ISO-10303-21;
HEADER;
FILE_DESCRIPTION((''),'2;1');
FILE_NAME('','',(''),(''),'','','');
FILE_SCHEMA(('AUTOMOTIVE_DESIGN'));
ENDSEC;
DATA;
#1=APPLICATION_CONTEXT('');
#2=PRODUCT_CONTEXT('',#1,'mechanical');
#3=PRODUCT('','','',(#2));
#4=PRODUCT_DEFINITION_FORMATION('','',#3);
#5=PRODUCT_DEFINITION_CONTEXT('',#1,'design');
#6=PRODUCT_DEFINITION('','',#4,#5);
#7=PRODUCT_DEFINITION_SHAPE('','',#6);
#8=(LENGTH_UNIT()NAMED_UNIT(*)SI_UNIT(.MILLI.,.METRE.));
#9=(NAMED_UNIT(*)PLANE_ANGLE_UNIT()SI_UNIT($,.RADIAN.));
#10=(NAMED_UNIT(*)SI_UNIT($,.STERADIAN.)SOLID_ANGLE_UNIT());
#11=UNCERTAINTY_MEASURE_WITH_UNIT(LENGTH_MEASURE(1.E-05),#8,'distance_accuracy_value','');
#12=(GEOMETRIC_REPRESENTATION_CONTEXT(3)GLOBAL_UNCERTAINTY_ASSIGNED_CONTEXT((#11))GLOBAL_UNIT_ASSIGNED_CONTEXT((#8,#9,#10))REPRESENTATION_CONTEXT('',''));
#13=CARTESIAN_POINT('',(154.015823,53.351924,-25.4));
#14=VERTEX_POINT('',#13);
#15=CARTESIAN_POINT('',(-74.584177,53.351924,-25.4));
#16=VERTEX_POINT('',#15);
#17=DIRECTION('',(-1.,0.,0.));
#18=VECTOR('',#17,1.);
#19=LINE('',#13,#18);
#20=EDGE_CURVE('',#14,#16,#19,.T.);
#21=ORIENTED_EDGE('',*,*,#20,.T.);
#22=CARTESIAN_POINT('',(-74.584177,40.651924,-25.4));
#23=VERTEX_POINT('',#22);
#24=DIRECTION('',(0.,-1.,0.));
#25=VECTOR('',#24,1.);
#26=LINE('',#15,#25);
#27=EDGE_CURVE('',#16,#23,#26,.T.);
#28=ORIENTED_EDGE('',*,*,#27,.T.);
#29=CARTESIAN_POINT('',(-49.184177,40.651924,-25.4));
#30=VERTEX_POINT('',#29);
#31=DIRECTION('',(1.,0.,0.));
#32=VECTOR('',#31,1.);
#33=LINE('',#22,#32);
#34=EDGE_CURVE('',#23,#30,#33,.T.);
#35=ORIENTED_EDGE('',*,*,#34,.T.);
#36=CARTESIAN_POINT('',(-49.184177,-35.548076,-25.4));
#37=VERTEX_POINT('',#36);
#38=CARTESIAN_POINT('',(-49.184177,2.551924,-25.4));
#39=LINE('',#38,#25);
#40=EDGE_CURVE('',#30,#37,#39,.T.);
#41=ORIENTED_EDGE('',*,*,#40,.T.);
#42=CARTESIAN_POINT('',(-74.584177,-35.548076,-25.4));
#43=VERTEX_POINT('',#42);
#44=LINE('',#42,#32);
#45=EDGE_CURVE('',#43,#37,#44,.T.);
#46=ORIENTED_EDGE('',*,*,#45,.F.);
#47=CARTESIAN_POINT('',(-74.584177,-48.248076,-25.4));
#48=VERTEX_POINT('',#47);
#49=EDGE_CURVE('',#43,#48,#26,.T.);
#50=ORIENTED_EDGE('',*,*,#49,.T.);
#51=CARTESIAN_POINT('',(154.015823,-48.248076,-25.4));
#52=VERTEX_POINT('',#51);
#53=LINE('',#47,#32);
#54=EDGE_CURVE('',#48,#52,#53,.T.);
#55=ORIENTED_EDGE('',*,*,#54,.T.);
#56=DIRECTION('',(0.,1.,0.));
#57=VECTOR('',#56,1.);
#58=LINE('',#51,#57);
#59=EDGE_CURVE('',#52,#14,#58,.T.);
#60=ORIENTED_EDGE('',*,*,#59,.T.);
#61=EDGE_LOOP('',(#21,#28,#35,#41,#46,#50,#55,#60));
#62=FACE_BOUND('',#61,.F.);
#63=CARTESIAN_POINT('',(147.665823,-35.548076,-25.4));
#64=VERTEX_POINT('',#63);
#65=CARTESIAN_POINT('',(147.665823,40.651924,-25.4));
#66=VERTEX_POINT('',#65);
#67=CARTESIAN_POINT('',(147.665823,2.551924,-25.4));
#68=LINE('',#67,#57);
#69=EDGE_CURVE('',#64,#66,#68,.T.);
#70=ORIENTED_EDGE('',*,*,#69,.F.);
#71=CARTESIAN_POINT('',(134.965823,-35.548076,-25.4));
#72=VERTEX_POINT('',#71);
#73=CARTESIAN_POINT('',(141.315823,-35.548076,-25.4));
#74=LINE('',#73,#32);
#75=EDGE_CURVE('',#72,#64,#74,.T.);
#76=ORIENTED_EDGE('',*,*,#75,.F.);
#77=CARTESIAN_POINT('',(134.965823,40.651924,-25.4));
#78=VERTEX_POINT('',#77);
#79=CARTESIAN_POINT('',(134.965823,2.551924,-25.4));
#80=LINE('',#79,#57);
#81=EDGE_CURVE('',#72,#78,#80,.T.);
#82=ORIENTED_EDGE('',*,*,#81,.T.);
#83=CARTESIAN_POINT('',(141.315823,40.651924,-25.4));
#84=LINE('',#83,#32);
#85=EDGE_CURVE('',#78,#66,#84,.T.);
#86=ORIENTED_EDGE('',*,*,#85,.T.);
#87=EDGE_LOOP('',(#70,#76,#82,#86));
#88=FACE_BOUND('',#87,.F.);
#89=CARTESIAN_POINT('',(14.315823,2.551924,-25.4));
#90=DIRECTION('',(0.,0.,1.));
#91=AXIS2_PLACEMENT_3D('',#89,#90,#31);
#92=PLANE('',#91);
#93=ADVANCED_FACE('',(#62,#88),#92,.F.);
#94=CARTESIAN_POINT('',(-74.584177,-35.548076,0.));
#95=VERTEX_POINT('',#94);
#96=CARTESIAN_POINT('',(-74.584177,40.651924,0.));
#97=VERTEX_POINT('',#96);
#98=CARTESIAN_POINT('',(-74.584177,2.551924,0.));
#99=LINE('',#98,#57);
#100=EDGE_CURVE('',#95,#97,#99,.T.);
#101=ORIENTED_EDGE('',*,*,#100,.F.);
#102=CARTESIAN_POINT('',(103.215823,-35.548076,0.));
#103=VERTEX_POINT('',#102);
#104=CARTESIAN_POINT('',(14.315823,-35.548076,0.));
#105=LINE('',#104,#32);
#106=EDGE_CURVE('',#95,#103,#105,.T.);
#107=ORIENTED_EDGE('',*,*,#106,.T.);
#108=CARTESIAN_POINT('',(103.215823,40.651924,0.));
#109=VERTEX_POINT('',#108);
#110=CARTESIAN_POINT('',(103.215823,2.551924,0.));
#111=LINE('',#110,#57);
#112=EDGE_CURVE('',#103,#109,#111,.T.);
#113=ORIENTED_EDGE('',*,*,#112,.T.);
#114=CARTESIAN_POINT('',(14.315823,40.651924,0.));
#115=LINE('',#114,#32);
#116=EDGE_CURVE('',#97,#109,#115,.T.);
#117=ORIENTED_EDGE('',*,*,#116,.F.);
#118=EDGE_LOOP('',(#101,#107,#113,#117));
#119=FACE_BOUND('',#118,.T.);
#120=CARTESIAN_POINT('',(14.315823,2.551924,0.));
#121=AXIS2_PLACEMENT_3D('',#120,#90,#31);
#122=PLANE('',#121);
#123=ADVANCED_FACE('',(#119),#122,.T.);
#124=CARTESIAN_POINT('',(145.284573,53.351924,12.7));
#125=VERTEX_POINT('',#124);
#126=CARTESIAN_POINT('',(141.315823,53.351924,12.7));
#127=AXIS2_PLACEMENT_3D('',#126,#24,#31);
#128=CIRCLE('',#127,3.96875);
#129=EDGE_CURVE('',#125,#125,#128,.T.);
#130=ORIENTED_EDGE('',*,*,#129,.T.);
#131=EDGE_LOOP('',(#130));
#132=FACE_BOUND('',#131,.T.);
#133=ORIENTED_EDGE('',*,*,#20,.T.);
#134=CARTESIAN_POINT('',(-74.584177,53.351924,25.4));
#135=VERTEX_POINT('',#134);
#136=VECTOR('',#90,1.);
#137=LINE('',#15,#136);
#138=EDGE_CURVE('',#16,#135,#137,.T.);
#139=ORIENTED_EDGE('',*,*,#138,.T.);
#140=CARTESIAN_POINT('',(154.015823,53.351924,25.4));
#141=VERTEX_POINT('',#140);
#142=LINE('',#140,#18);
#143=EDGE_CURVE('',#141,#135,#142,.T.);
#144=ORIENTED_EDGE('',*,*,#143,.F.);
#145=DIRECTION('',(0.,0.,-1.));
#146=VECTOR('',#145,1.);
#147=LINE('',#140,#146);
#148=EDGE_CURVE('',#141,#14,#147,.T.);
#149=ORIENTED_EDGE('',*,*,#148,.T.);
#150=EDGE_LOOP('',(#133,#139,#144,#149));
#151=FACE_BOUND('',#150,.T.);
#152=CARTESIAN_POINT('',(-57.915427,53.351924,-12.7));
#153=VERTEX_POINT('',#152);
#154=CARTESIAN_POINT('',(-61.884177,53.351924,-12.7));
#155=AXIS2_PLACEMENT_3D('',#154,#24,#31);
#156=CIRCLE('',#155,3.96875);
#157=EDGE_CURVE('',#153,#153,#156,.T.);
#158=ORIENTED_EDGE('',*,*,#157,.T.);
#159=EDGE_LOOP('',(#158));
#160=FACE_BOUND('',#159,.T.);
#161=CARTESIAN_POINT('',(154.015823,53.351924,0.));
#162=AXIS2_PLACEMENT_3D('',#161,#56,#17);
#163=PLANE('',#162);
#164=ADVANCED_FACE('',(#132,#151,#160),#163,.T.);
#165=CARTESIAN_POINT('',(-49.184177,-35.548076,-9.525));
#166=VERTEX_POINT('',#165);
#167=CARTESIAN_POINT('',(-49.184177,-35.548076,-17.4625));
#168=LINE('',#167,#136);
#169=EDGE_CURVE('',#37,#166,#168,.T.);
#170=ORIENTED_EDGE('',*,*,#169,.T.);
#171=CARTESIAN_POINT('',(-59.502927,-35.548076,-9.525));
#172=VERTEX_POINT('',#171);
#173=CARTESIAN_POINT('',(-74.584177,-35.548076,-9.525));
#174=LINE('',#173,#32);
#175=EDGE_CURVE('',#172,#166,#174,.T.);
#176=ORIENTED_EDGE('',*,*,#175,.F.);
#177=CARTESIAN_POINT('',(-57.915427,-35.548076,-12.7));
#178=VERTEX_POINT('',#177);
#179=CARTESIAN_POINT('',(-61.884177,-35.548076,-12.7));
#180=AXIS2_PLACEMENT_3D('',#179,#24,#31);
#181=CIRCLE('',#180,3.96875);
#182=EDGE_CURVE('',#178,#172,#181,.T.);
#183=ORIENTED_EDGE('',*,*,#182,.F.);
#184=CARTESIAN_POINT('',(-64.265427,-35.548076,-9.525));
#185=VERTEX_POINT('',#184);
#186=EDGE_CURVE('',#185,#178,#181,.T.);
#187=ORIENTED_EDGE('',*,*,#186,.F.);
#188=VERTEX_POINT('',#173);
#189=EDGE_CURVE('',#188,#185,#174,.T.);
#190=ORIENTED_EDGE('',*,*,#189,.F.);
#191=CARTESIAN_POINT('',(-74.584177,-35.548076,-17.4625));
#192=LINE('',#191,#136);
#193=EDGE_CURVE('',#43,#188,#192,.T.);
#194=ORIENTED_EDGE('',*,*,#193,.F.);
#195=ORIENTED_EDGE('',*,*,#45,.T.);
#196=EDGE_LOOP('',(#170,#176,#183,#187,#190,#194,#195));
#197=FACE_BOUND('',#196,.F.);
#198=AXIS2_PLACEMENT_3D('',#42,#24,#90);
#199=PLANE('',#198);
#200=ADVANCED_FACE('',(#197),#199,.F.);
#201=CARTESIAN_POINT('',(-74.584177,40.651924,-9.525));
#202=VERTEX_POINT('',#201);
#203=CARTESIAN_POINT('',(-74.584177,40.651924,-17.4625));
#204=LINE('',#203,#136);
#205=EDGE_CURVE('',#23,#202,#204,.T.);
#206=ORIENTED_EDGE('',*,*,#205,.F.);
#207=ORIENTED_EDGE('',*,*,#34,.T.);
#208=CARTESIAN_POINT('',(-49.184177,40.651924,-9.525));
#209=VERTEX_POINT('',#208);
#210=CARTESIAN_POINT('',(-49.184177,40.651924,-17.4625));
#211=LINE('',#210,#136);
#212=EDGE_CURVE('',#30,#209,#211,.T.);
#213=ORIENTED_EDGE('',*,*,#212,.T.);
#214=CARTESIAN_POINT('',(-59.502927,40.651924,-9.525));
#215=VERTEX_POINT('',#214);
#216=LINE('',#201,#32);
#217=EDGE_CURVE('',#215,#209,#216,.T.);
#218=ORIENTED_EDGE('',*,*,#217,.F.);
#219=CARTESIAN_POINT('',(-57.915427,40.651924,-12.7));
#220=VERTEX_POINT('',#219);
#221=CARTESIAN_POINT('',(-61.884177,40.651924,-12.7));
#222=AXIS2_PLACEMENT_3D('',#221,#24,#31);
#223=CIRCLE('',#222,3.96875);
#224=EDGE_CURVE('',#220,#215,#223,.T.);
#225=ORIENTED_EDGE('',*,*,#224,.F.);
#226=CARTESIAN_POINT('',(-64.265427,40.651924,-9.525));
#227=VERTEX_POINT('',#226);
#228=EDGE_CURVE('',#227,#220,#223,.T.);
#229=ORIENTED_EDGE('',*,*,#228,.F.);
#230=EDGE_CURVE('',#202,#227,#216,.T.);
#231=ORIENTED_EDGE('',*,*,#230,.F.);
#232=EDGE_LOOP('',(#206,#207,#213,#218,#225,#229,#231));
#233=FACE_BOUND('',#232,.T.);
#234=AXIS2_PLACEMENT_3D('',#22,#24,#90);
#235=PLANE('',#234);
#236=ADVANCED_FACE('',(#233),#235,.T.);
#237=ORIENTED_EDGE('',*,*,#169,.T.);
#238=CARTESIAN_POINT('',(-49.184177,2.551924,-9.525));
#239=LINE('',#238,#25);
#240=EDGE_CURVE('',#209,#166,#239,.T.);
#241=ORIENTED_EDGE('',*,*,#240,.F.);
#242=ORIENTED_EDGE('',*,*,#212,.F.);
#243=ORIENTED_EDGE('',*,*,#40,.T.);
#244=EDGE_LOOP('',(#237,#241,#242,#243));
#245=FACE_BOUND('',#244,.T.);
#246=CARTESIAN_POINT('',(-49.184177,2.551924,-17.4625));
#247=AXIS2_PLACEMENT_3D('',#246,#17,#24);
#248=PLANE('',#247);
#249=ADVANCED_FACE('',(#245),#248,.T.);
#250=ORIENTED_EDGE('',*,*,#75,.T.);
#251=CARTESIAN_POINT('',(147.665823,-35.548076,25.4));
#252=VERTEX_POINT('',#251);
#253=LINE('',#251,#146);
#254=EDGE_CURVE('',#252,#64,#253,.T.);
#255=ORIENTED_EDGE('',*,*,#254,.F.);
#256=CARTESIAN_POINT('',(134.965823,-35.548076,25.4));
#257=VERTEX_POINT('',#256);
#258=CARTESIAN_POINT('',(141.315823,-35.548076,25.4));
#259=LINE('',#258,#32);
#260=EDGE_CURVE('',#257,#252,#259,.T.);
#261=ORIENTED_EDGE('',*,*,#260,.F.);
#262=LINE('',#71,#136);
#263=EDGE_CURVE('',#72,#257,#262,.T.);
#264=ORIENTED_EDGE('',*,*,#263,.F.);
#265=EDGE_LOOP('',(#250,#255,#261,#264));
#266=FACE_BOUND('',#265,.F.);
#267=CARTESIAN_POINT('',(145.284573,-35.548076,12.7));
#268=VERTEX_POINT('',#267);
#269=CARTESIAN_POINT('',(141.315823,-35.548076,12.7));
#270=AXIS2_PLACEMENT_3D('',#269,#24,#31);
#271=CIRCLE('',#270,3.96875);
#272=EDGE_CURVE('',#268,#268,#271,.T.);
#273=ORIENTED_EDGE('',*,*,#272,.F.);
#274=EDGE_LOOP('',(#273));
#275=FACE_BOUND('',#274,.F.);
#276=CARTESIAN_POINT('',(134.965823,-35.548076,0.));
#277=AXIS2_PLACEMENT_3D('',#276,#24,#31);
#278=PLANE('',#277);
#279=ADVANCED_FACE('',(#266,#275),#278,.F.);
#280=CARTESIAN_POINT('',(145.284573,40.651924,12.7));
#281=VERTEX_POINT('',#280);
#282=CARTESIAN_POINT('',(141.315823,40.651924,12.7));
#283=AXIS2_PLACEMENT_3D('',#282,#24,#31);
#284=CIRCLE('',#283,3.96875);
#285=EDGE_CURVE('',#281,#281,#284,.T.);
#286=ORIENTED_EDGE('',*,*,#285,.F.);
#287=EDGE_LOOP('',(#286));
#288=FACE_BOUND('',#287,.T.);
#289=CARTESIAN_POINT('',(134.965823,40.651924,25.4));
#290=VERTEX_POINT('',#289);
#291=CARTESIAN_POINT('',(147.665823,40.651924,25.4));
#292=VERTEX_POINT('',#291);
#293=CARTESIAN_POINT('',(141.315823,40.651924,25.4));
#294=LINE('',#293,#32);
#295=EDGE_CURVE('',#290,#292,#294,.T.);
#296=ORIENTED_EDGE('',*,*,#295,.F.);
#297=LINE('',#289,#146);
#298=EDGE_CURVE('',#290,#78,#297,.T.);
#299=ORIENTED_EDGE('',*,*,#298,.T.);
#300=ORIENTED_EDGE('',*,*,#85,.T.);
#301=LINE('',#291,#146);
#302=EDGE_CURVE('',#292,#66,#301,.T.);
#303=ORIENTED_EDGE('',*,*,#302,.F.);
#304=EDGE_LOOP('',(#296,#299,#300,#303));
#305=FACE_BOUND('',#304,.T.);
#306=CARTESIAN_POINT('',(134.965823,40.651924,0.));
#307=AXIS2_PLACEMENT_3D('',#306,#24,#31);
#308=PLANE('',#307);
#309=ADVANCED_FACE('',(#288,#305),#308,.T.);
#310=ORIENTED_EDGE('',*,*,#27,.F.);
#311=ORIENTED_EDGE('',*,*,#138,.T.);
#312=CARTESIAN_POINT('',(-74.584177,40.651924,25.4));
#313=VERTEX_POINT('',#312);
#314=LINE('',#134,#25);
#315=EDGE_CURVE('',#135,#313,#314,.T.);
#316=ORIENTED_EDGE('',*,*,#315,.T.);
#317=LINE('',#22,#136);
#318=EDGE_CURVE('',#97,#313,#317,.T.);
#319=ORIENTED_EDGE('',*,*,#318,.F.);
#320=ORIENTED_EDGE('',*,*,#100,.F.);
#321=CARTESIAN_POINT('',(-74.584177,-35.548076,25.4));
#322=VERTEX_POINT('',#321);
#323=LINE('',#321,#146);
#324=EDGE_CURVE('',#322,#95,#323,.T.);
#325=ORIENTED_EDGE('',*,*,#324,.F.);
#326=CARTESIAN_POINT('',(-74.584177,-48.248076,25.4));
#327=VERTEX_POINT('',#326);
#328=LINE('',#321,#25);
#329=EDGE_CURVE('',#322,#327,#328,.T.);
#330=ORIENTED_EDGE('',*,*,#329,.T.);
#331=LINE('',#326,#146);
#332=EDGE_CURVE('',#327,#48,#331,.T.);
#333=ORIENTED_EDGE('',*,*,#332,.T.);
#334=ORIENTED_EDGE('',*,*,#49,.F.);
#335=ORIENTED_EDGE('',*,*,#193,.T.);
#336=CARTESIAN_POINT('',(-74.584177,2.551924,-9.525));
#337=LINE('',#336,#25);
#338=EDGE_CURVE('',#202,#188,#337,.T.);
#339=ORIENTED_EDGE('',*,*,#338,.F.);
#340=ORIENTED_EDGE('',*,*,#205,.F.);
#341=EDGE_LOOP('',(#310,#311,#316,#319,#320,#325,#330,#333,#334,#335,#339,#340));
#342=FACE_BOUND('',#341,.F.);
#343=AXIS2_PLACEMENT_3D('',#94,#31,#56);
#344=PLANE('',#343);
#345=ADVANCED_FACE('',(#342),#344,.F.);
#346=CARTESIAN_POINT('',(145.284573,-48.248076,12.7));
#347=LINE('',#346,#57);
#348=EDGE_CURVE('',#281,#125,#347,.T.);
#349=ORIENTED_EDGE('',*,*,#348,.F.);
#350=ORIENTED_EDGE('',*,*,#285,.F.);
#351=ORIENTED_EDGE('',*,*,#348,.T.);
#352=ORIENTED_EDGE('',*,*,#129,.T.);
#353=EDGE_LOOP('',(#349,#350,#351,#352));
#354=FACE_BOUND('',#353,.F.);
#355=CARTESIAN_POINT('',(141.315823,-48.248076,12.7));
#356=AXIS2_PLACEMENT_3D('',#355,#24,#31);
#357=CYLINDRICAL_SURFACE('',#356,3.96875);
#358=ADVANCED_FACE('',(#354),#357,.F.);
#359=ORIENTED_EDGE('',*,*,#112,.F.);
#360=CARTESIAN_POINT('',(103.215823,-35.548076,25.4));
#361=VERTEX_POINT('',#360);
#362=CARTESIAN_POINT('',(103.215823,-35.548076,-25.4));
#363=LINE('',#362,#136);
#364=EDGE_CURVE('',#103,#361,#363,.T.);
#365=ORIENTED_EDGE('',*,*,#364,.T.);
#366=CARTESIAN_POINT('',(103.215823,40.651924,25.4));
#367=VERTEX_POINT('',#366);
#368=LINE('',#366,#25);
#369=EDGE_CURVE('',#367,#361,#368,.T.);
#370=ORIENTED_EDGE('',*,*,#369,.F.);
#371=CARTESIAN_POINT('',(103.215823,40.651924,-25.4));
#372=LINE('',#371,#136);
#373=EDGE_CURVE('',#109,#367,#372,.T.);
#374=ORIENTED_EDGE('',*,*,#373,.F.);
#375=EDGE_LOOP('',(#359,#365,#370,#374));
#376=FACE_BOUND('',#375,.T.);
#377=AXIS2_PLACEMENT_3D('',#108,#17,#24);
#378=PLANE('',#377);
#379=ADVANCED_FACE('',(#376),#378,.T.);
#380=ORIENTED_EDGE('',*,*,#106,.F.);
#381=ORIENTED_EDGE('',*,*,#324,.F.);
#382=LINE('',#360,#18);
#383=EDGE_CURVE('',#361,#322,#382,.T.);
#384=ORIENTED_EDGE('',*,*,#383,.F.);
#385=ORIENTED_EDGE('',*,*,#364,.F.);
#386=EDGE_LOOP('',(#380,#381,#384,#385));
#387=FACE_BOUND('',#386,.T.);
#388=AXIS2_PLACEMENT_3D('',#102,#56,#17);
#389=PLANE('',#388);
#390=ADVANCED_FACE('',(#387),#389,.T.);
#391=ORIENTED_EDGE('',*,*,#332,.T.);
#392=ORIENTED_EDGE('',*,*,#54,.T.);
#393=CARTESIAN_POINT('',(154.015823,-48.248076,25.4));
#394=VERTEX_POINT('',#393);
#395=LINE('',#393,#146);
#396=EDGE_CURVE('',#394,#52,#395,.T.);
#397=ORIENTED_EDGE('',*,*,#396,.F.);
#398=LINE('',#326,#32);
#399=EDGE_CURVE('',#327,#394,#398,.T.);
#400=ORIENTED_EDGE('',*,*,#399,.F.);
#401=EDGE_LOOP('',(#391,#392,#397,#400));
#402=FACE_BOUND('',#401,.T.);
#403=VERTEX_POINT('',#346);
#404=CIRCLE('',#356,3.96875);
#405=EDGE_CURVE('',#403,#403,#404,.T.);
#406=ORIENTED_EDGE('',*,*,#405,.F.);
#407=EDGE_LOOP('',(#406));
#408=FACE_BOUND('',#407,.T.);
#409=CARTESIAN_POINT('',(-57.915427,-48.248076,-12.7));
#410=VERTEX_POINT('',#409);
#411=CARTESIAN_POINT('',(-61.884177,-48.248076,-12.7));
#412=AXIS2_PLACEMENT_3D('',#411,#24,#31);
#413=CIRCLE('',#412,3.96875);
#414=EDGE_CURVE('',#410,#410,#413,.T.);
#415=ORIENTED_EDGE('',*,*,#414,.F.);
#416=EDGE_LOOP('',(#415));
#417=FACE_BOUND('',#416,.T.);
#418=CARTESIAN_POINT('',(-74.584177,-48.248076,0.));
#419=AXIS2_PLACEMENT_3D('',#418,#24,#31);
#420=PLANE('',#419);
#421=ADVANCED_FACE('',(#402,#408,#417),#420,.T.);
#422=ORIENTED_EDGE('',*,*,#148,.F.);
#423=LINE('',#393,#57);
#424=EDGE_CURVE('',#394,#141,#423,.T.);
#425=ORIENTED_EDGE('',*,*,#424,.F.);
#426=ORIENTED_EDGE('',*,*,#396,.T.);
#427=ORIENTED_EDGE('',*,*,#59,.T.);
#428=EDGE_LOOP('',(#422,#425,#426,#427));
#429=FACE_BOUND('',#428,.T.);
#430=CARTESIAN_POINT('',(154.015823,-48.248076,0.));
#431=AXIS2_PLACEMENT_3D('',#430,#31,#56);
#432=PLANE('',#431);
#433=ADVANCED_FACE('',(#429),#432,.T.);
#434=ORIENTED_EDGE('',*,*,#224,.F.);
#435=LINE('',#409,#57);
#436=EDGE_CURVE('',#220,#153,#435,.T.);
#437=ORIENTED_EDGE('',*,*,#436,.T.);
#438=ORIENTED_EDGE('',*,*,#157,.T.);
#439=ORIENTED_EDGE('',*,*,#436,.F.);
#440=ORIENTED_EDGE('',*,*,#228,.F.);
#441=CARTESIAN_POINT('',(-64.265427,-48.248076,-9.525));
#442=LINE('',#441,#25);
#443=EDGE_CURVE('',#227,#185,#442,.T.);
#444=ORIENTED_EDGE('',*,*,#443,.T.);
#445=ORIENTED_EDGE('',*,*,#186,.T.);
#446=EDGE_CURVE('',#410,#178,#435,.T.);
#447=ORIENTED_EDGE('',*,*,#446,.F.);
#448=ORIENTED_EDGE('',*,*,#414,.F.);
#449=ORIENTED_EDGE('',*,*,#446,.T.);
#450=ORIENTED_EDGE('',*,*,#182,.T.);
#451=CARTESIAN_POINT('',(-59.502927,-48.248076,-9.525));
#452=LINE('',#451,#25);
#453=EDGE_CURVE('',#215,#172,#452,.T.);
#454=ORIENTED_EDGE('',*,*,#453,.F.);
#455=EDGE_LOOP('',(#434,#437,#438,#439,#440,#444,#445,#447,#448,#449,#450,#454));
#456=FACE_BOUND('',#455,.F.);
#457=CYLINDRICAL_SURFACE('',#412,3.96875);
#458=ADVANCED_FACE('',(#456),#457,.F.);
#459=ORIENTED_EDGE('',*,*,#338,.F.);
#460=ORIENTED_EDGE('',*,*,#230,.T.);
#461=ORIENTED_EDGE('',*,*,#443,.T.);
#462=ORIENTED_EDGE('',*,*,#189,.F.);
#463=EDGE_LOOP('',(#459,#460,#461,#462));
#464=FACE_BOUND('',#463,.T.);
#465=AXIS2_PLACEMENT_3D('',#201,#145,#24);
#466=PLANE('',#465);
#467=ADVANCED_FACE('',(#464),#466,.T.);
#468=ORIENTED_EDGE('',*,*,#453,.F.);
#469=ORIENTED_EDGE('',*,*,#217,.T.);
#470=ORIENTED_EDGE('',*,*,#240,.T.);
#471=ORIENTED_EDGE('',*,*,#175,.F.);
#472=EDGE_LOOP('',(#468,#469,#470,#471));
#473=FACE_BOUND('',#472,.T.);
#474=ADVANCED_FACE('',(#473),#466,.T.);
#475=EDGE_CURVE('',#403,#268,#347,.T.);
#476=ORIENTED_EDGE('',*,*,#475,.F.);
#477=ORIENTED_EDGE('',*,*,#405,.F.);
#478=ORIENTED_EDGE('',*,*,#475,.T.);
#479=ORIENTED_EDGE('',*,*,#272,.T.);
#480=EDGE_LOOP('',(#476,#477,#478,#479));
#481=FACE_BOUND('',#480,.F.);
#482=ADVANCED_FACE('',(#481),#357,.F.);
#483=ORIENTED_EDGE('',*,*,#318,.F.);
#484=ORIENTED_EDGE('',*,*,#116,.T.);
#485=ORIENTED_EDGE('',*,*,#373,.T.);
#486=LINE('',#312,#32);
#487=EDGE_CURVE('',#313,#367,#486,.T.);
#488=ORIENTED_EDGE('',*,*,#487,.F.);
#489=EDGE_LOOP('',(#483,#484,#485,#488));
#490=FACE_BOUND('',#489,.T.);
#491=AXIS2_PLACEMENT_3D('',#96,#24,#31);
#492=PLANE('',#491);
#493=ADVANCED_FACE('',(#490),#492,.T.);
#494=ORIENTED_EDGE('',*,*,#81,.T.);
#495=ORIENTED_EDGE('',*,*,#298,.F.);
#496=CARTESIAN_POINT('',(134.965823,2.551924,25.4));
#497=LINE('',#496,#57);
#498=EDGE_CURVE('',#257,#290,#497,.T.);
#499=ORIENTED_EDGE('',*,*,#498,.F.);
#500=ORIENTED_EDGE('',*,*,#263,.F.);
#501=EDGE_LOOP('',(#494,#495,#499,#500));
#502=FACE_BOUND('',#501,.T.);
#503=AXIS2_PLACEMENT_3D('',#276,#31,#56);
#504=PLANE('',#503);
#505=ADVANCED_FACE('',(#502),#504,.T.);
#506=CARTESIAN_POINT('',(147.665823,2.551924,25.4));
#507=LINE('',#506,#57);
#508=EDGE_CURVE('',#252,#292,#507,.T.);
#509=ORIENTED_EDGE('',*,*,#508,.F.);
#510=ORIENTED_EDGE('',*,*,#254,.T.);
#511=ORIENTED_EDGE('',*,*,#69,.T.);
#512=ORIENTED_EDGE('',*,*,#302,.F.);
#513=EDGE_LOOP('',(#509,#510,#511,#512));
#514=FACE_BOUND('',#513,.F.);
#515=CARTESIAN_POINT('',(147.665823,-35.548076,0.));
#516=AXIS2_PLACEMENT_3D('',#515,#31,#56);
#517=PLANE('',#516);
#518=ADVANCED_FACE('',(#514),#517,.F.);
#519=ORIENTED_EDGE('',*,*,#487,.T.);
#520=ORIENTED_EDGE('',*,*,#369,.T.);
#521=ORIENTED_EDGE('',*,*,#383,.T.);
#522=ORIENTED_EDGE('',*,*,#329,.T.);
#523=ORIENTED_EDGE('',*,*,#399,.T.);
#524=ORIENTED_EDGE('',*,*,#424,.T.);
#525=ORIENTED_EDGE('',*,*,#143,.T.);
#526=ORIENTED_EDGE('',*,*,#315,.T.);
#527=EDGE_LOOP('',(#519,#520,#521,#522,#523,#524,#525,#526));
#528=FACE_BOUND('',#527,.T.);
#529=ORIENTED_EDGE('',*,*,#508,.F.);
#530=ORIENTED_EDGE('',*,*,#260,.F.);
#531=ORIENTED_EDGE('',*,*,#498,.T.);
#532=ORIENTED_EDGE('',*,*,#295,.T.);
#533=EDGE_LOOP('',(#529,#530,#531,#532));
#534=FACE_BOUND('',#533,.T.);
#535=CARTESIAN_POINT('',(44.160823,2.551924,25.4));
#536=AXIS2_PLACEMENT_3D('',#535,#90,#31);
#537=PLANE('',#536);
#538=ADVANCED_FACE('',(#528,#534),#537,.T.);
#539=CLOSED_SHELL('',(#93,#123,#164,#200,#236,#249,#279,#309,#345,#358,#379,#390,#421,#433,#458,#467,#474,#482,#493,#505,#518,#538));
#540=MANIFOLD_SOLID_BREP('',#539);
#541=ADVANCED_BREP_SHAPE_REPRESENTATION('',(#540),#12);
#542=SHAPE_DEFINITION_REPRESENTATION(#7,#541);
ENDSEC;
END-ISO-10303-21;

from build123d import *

# Parameters (mm, degrees)
F0_W     = 12.7
F0_H     = 76.2
F1_DEPTH = 25.4
F0_W_2   = 177.8
F2_DEPTH = 25.4
F3_R     = 3.96875
F4_DEPTH = 254
F5_R     = 3.96875
F6_DEPTH = 152.4
F7_W     = 76.2
F7_H     = 15.875
F8_DEPTH = 25.4


with BuildPart() as f1:
    # F0 (on Top) → F1 (new body, symmetric)
    with BuildSketch(Plane.XY):
        Polygon((154.0158234471, 53.3519236594), (-74.5841765529, 53.3519236594), (-74.5841765529, 40.6519236594), (103.2158234471, 40.6519236594), (103.2158234471, -35.5480763406), (-74.5841765529, -35.5480763406), (-74.5841765529, -48.2480763406), (154.0158234471, -48.2480763406), align=None)
        with Locations((141.3158234471, 2.5519236594)):
            Rectangle(F0_W, F0_H, mode=Mode.SUBTRACT)
    extrude(amount=F1_DEPTH, both=True)

    # F0 (on Top) → F2 (join)
    with BuildSketch(Plane.XY):
        with Locations((14.3158234471, 2.5519236594)):
            Rectangle(F0_W_2, F0_H)
    extrude(amount=-F2_DEPTH)

    # F3 (on face) → F4 (cut)
    with BuildSketch(Plane.XZ.offset(48.2480763406)):
        with Locations((141.3158234471, 12.7)):
            Circle(F3_R)
    extrude(amount=-F4_DEPTH, mode=Mode.SUBTRACT)

    # F5 (on face) → F6 (cut)
    with BuildSketch(Plane.XZ.offset(48.2480763406)):
        with Locations((-61.8841765529, -12.7)):
            Circle(F5_R)
    extrude(amount=-F6_DEPTH, mode=Mode.SUBTRACT)

    # F7 (on face) → F8 (cut)
    with BuildSketch(Plane(origin=(-74.5841765529, 0, 0), x_dir=(0, -1, 0), z_dir=(-1, 0, 0))):
        with Locations((-2.5519236594, -17.4625)):
            Rectangle(F7_W, F7_H)
    extrude(amount=-F8_DEPTH, mode=Mode.SUBTRACT)


solid = f1.part
